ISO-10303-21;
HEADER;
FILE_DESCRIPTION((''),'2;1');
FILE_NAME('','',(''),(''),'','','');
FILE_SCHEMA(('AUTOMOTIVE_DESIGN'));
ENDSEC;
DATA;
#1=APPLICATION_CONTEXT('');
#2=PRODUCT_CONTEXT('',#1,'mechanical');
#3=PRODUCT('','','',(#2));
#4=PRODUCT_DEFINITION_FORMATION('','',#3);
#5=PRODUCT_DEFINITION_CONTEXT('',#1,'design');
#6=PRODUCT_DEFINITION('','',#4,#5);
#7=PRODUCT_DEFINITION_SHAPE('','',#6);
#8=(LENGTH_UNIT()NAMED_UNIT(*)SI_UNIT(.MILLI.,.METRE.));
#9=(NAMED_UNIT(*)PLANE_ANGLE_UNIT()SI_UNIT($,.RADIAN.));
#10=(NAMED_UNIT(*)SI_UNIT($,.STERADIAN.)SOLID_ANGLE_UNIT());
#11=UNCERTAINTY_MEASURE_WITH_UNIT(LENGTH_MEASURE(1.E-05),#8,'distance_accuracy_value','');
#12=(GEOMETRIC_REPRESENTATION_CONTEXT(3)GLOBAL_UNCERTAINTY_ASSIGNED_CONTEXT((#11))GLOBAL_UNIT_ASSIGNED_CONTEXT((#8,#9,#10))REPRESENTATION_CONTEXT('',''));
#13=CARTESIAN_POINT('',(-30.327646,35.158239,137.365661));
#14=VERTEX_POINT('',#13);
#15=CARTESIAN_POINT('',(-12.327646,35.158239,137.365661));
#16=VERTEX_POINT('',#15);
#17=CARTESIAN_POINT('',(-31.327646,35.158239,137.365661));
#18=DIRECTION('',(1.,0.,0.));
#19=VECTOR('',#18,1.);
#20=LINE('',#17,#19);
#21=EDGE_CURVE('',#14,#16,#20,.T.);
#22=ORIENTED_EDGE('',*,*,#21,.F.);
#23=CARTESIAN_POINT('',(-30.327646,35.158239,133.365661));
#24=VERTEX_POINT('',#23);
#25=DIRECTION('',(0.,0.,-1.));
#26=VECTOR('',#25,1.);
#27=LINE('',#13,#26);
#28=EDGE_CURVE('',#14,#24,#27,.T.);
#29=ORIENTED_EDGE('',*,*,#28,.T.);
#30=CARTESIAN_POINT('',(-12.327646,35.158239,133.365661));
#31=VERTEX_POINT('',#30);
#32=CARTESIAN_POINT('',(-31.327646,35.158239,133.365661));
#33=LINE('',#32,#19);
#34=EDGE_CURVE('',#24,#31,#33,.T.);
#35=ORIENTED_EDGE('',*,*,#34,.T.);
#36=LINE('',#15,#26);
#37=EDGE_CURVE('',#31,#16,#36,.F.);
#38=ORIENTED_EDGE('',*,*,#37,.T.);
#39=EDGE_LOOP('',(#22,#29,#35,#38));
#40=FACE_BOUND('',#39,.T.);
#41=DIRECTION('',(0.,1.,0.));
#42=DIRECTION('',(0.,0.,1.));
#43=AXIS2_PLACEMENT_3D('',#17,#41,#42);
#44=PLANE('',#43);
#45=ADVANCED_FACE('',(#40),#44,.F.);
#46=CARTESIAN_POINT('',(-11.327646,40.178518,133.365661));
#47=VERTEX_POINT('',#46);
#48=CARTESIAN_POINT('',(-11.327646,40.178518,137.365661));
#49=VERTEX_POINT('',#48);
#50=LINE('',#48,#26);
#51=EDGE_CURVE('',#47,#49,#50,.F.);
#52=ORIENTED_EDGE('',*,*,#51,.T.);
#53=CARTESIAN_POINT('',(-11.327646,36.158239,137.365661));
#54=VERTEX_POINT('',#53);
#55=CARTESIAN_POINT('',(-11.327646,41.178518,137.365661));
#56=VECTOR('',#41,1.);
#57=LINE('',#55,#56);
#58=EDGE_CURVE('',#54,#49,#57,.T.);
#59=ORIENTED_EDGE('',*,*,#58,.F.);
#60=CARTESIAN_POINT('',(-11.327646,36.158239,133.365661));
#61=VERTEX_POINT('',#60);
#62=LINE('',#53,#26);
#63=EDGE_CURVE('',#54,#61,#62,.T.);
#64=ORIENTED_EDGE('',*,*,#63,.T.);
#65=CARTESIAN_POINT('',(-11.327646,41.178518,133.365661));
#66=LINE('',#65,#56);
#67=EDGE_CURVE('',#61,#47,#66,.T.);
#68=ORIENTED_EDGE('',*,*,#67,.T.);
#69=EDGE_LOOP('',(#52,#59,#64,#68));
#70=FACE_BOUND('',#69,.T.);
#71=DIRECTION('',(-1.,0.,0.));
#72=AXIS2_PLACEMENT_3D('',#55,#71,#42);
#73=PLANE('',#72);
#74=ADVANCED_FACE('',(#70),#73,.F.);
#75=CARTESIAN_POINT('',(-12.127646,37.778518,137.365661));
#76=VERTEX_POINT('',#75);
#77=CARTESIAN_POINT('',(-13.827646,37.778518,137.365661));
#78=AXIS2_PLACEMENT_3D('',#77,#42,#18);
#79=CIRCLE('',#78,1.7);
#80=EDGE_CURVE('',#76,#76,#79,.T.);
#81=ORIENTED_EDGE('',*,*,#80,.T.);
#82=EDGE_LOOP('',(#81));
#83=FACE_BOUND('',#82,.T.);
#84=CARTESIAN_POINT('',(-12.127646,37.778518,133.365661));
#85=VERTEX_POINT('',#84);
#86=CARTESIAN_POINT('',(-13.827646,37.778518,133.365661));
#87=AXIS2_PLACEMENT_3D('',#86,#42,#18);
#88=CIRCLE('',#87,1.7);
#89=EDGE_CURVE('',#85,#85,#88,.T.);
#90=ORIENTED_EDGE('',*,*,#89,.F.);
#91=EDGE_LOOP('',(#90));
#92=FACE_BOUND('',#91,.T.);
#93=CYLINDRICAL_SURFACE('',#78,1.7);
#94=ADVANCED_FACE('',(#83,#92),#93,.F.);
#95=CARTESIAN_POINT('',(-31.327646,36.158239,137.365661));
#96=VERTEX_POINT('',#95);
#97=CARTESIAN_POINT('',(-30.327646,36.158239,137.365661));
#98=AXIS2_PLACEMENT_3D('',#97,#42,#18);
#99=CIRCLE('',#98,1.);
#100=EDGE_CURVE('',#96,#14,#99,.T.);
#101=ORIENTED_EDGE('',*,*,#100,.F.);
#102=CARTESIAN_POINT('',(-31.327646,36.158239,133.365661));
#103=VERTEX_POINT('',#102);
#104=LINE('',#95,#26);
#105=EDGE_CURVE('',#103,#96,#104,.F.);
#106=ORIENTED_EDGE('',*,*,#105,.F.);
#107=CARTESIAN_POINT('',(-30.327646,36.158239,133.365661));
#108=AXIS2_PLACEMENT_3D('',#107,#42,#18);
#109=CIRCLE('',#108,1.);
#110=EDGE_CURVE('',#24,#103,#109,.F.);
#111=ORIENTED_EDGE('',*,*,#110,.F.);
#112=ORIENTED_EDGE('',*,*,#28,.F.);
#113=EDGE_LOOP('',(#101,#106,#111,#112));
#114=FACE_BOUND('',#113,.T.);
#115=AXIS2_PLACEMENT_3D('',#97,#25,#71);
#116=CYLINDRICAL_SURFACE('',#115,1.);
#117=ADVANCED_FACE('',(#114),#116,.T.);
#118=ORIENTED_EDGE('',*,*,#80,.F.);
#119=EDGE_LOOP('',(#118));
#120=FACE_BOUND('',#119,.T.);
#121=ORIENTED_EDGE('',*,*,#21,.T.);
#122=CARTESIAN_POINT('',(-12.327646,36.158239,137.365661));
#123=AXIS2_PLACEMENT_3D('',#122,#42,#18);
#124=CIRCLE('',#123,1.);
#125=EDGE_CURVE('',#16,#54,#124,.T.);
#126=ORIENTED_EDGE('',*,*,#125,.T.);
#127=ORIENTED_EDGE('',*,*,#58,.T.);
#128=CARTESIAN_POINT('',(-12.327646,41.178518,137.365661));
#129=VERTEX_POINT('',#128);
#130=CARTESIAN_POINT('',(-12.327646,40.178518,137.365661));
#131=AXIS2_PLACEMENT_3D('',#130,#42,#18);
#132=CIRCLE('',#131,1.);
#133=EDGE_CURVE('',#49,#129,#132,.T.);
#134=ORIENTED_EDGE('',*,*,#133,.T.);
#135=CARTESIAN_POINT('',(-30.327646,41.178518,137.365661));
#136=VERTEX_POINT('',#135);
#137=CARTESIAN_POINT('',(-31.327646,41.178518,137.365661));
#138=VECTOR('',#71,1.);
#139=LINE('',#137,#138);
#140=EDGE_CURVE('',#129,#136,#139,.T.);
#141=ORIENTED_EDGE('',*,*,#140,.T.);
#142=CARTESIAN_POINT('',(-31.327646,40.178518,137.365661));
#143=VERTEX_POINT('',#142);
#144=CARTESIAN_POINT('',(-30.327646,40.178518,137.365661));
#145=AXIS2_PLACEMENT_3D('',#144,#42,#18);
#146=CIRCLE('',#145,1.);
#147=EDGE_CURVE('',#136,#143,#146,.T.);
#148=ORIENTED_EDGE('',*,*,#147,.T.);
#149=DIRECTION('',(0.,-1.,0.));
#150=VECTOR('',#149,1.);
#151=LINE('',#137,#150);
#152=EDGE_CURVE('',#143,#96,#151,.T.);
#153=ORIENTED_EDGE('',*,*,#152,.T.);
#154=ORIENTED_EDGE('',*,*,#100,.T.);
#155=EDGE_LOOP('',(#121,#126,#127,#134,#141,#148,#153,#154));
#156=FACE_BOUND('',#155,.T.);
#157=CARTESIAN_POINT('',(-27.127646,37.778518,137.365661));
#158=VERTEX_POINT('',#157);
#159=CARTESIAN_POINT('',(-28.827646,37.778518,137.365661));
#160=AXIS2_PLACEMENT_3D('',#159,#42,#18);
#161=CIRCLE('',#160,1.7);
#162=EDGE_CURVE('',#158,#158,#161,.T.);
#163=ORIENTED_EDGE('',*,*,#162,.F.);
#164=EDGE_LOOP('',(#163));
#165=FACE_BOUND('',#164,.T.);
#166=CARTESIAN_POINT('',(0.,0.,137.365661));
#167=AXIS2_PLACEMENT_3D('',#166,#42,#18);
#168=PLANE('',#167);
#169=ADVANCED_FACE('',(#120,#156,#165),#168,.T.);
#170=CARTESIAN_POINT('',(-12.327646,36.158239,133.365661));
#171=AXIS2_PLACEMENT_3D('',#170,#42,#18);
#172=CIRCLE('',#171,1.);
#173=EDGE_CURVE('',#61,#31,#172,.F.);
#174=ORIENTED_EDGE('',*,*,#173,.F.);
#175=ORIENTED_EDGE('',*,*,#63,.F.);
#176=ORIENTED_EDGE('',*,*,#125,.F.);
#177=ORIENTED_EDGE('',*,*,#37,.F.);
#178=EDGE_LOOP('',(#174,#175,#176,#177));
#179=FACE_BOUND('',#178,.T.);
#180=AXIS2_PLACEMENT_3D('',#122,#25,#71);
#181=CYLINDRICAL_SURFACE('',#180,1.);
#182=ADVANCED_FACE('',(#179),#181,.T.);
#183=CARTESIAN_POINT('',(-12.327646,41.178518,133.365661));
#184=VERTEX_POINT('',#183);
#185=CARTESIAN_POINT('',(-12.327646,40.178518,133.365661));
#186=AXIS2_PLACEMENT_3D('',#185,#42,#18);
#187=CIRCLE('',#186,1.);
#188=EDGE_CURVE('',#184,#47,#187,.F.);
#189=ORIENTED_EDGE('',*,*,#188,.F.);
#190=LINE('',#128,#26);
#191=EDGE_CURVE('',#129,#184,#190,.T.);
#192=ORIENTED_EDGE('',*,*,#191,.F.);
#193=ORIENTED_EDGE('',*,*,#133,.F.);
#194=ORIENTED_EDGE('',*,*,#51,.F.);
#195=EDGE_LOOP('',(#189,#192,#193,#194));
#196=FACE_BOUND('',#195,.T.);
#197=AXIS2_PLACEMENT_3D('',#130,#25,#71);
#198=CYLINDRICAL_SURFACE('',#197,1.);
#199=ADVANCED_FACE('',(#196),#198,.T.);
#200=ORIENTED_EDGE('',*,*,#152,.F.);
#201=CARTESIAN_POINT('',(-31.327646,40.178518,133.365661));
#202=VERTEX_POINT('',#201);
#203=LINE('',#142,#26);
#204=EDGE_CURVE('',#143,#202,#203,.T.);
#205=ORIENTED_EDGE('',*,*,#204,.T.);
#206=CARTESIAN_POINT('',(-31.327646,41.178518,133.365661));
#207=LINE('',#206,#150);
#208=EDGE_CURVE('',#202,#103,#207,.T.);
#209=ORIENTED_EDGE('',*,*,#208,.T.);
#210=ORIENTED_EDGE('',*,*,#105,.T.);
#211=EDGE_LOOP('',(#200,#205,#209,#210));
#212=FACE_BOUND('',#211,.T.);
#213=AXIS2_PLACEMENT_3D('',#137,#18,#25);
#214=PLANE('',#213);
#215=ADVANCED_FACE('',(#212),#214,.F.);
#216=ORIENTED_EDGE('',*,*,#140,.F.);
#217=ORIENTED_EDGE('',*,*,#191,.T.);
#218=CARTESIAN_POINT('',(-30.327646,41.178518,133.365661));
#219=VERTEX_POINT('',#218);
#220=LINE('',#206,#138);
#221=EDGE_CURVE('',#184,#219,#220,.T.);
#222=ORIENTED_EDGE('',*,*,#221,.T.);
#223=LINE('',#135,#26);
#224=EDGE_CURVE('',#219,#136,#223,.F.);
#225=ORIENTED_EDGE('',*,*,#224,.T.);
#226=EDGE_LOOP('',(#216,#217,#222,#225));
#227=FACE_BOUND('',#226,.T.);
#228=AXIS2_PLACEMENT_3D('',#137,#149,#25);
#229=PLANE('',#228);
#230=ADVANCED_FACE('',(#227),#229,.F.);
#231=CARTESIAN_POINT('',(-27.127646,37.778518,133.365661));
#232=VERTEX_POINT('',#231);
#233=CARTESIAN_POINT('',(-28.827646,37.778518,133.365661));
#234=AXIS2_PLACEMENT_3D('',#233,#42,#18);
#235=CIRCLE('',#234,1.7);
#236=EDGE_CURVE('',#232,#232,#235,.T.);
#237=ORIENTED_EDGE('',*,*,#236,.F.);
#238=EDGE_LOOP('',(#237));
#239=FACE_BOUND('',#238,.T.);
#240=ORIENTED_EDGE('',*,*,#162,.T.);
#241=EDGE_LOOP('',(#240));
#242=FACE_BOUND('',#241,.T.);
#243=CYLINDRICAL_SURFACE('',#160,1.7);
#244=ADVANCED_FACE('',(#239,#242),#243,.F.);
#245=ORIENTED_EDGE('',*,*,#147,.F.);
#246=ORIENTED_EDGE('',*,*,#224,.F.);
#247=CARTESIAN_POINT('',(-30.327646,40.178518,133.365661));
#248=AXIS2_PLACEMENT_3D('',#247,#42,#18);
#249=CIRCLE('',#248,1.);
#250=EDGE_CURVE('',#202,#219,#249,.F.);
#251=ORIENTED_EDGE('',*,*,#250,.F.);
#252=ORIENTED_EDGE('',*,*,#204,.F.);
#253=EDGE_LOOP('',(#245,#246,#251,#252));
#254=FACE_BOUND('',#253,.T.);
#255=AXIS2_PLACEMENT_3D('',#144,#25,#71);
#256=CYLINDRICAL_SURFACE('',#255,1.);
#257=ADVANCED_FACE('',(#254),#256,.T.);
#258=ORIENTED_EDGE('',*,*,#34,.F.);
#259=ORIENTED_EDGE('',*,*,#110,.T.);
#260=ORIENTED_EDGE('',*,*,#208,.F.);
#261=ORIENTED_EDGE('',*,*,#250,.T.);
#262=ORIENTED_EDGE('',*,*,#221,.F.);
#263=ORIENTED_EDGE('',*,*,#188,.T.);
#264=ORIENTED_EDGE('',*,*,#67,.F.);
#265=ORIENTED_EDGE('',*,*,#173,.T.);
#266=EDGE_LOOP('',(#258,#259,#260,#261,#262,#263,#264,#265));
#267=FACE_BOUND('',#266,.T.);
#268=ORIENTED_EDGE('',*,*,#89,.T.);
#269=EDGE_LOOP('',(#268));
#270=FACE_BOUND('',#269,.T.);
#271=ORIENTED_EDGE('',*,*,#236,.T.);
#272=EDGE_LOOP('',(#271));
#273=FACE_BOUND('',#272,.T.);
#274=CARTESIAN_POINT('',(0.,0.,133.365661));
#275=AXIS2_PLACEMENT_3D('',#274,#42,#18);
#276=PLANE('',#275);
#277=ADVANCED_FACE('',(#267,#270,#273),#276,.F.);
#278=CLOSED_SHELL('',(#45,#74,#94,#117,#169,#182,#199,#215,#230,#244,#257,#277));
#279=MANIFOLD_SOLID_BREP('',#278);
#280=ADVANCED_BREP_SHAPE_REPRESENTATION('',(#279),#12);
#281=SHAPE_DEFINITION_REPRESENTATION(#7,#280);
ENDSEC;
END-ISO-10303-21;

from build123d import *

# Parameters (mm, degrees)
SKETCH2_W                = 20
SKETCH2_H                = 6.020278893
BOSS_EXTRUDE1_DEPTH      = 4
FILLET1_R                = 1
M3_CLEARANCE_HOLE1_D     = 3.4
M3_CLEARANCE_HOLE1_DEPTH = 16.5
M3_CLEARANCE_HOLE1_TIP   = 1.021463052


with BuildPart() as part:
    # Sketch2 → Boss-Extrude1 (new body)
    with BuildSketch(Plane.XY.offset(133.365661293)):
        with Locations((-21.327645728, 38.168378797)):
            Rectangle(SKETCH2_W, SKETCH2_H)
    extrude(amount=BOSS_EXTRUDE1_DEPTH)

    # Fillet1
    fillet1_edges = [part.edges().sort_by_distance(p)[0] for p in [
        (-31.327645728, 41.178518244, 135.365661293),
        (-11.327645728, 41.178518244, 135.365661293),
        (-11.327645728, 35.158239351, 135.365661293),
        (-31.327645728, 35.158239351, 135.365661293),
    ]]
    fillet(fillet1_edges, radius=FILLET1_R)

    # M3 Clearance Hole1
    with Locations(Plane.XY.offset(137.365661293)):
        with Locations((-28.827645728, 37.778518244), (-13.827645728, 37.778518244)):
            Hole(M3_CLEARANCE_HOLE1_D / 2, depth=M3_CLEARANCE_HOLE1_DEPTH)
            with Locations((0, 0, -(M3_CLEARANCE_HOLE1_DEPTH + M3_CLEARANCE_HOLE1_TIP / 2))):  # 118° drill point
                Cone(0, M3_CLEARANCE_HOLE1_D / 2, M3_CLEARANCE_HOLE1_TIP, mode=Mode.SUBTRACT)


solid = part.part
